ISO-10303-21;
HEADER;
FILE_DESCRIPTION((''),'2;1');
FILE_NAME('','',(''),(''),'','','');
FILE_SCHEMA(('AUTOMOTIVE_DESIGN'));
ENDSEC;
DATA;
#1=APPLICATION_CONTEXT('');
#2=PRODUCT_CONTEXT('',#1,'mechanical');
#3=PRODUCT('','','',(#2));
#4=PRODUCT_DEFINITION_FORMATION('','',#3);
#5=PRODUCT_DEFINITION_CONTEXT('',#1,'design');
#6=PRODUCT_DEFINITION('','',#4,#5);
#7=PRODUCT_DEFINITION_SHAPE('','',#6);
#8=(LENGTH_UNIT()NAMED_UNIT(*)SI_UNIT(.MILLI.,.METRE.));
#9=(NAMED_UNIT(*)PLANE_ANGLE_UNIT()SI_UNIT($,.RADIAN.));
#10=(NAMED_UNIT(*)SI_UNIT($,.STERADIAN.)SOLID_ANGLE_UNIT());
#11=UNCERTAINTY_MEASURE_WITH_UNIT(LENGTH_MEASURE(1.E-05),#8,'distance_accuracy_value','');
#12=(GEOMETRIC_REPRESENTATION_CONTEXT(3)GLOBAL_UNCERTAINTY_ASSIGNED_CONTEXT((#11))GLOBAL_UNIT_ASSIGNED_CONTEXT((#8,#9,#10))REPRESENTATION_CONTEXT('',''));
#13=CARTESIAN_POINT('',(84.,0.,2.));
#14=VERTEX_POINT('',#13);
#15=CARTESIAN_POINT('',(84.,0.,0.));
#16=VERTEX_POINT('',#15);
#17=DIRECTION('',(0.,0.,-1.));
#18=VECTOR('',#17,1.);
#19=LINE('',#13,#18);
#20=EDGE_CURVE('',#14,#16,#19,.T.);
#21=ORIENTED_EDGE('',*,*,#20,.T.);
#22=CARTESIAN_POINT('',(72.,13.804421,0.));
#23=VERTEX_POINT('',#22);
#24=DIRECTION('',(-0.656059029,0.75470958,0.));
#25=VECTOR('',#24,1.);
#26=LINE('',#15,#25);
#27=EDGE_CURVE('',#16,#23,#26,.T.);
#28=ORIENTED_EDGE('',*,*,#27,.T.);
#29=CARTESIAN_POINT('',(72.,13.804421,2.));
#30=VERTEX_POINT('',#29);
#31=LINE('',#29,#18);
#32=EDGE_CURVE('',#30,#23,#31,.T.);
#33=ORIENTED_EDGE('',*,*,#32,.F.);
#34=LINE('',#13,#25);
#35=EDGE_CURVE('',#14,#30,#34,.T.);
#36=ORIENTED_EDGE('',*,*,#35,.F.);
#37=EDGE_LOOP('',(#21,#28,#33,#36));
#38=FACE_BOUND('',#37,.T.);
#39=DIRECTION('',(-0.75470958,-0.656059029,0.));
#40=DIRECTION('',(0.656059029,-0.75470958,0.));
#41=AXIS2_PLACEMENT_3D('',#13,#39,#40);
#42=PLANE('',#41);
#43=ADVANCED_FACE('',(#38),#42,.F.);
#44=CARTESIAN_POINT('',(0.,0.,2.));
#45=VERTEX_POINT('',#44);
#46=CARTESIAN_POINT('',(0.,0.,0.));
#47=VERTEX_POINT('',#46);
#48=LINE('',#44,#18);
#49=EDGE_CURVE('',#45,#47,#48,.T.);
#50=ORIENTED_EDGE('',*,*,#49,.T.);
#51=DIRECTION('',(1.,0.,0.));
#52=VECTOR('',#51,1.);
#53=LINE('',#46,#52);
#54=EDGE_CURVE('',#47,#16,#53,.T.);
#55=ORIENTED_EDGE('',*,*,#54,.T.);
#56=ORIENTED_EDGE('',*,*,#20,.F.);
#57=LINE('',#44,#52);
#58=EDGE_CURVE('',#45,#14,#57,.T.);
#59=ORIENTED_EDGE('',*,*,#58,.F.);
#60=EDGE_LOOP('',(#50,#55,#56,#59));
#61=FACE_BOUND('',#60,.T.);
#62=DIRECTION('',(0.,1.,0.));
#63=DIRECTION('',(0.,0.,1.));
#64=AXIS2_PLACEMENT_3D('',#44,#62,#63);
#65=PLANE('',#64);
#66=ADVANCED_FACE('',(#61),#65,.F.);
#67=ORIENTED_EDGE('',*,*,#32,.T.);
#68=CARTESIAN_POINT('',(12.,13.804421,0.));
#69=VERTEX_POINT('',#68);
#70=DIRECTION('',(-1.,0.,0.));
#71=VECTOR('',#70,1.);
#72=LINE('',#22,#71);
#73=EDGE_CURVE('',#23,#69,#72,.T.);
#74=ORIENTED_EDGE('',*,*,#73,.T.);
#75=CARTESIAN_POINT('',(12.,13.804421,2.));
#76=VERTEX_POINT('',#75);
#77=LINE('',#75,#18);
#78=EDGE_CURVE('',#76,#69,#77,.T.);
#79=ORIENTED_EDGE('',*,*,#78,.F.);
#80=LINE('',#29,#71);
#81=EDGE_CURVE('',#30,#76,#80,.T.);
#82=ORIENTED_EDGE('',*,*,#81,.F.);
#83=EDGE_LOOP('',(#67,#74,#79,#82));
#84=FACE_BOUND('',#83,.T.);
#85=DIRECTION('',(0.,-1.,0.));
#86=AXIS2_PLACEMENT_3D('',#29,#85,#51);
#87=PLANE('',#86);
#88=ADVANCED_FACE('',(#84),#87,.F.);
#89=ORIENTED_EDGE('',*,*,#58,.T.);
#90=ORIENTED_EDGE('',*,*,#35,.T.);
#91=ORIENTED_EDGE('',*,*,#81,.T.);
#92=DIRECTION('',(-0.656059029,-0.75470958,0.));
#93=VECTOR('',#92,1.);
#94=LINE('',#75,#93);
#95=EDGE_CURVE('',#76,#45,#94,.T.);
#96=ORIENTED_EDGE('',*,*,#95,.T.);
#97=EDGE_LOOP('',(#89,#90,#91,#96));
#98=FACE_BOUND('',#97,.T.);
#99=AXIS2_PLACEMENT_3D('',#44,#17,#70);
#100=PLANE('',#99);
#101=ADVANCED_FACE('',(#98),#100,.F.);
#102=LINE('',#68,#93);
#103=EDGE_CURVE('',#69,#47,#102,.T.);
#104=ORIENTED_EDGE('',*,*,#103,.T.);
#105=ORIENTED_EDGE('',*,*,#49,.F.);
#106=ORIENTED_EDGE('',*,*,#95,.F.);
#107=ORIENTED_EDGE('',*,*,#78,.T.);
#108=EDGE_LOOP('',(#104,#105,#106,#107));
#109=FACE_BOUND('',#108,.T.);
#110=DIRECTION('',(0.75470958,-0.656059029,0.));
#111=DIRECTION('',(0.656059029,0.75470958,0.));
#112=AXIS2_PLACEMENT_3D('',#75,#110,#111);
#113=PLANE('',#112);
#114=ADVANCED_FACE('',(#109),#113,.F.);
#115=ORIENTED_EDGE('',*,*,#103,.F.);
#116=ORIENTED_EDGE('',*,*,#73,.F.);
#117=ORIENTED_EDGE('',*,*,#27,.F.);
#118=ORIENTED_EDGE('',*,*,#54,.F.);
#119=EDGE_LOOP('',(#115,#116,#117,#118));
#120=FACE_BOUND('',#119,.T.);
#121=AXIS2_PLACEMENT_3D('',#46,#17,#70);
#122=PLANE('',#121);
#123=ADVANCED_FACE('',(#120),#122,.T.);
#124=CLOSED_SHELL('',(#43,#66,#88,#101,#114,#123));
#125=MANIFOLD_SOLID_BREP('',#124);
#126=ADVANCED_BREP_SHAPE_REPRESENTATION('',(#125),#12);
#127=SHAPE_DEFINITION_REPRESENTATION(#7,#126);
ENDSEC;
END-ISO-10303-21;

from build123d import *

# Parameters (mm, degrees)
Y_KSEKLIK_EKSTR_ZYON1_DEPTH = 2


with BuildPart() as part:
    # Çizim2 → Yükseklik-Ekstrüzyon1 (new body)
    with BuildSketch(Plane.XY):
        Polygon((0, 0), (84, 0), (72, 13.804420887), (12, 13.804420887), align=None)
    extrude(amount=Y_KSEKLIK_EKSTR_ZYON1_DEPTH)


solid = part.part
